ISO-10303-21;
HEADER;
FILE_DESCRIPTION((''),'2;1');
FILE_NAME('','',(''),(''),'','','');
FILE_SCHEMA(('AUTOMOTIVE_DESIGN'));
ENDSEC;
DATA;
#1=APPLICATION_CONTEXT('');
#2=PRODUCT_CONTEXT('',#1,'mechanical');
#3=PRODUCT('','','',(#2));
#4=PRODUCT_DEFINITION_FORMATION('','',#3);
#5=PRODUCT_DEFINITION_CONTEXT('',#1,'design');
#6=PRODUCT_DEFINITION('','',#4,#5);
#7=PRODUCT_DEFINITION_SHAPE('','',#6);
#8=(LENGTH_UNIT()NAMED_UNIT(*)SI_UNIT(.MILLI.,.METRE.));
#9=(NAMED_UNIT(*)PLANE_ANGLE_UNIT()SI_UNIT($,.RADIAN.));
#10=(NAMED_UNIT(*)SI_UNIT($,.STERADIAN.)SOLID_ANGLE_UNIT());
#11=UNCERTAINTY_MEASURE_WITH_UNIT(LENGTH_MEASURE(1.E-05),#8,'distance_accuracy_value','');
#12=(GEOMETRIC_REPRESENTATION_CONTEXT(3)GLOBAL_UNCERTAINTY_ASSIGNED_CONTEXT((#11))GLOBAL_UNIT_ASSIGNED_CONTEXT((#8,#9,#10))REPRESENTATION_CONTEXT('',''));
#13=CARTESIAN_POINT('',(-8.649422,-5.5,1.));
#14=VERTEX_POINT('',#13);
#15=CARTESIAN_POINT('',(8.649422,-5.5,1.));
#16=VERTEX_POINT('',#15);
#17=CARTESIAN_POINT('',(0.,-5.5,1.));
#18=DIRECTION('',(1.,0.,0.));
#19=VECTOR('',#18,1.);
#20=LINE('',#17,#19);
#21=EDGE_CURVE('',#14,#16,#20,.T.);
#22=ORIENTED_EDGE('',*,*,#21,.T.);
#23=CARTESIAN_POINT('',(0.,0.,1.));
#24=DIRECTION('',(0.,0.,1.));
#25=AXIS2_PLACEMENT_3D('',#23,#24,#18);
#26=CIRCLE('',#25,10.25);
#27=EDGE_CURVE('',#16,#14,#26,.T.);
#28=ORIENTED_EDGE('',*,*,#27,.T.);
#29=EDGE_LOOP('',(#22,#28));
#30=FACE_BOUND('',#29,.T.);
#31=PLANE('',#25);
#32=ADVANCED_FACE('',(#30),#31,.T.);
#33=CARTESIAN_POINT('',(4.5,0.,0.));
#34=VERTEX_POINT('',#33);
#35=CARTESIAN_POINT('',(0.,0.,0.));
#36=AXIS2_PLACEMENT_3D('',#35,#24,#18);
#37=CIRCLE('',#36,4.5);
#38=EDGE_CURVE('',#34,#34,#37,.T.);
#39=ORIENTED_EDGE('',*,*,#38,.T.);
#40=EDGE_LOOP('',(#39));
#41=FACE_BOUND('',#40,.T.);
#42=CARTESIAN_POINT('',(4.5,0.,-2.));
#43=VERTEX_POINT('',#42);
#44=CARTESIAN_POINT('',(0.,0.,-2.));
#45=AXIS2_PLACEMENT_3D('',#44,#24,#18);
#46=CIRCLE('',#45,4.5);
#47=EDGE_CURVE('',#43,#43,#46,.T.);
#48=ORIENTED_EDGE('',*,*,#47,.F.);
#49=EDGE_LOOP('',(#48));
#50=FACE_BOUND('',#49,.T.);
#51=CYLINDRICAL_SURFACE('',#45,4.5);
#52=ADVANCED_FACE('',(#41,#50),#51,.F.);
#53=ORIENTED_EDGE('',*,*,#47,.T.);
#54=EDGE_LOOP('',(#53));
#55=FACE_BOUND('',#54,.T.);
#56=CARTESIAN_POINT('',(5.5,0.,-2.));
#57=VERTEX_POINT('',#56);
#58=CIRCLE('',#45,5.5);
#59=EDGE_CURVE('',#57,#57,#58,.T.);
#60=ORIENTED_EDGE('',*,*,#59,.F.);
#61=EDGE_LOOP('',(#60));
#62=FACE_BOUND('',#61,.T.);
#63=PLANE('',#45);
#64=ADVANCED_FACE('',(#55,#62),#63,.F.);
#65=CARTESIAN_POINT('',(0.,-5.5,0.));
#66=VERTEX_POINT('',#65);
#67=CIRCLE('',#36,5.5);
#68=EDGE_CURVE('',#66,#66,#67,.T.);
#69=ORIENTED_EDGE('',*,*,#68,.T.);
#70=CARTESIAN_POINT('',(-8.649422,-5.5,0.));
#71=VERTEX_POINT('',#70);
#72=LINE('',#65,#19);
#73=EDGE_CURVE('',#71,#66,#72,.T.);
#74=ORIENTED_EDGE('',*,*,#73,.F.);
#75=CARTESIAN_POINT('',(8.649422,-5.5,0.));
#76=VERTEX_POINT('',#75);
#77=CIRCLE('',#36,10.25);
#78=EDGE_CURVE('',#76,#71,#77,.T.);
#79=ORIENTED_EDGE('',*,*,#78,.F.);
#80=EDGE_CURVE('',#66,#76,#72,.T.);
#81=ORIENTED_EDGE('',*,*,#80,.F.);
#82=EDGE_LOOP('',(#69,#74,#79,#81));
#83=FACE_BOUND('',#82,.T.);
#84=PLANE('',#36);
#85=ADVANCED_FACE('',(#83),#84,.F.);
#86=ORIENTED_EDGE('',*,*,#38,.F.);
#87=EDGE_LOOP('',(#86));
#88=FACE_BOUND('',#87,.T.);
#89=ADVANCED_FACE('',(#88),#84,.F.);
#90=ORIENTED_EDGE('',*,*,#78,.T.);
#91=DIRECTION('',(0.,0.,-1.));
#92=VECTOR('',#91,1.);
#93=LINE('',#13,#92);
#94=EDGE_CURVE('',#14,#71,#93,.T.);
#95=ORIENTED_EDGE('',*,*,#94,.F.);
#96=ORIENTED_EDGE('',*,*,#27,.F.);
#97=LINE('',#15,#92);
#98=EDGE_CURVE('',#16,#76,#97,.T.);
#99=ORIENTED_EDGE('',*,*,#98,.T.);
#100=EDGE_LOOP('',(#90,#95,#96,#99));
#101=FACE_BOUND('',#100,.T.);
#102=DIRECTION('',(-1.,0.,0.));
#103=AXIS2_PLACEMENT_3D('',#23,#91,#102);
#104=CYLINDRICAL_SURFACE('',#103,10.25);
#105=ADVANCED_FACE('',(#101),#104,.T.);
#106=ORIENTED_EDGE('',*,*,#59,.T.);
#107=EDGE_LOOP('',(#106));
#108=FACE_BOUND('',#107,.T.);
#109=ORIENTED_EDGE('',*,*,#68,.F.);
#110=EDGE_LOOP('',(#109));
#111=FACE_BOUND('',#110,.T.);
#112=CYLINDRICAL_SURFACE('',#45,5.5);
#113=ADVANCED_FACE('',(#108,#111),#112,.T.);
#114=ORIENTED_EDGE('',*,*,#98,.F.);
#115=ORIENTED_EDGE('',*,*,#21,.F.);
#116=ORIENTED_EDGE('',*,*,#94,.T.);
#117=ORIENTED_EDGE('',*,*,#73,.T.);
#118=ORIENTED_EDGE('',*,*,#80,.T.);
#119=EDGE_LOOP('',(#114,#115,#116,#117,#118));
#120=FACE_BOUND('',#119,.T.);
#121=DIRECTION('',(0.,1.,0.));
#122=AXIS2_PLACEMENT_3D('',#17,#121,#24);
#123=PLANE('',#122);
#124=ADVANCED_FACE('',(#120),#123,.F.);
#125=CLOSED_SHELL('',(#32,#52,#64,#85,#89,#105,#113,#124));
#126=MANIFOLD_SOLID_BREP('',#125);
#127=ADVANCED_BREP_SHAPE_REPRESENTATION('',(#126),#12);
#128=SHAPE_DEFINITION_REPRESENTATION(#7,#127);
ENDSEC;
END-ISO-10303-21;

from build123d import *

# Parameters (mm, degrees)
BOSS_EXTRUDE1_DEPTH = 1
SKETCH1_4_R         = 5.5
SKETCH1_4_R_2       = 4.5
BOSS_EXTRUDE2_DEPTH = 2


with BuildPart() as part:
    # Sketch1 → Boss-Extrude1 (new body)
    with BuildSketch(Plane.XY):
        with BuildLine():
            Line((-8.649421946, -5.5), (8.649421946, -5.5))
            ThreePointArc((8.649421946, -5.5), (0, 10.25), (-8.649421946, -5.5))
        make_face()
    extrude(amount=BOSS_EXTRUDE1_DEPTH)

    # Sketch1<4> → Boss-Extrude2 (add)
    with BuildSketch(Plane.XY):
        Circle(SKETCH1_4_R)
        Circle(SKETCH1_4_R_2, mode=Mode.SUBTRACT)
    extrude(amount=-BOSS_EXTRUDE2_DEPTH)


solid = part.part
